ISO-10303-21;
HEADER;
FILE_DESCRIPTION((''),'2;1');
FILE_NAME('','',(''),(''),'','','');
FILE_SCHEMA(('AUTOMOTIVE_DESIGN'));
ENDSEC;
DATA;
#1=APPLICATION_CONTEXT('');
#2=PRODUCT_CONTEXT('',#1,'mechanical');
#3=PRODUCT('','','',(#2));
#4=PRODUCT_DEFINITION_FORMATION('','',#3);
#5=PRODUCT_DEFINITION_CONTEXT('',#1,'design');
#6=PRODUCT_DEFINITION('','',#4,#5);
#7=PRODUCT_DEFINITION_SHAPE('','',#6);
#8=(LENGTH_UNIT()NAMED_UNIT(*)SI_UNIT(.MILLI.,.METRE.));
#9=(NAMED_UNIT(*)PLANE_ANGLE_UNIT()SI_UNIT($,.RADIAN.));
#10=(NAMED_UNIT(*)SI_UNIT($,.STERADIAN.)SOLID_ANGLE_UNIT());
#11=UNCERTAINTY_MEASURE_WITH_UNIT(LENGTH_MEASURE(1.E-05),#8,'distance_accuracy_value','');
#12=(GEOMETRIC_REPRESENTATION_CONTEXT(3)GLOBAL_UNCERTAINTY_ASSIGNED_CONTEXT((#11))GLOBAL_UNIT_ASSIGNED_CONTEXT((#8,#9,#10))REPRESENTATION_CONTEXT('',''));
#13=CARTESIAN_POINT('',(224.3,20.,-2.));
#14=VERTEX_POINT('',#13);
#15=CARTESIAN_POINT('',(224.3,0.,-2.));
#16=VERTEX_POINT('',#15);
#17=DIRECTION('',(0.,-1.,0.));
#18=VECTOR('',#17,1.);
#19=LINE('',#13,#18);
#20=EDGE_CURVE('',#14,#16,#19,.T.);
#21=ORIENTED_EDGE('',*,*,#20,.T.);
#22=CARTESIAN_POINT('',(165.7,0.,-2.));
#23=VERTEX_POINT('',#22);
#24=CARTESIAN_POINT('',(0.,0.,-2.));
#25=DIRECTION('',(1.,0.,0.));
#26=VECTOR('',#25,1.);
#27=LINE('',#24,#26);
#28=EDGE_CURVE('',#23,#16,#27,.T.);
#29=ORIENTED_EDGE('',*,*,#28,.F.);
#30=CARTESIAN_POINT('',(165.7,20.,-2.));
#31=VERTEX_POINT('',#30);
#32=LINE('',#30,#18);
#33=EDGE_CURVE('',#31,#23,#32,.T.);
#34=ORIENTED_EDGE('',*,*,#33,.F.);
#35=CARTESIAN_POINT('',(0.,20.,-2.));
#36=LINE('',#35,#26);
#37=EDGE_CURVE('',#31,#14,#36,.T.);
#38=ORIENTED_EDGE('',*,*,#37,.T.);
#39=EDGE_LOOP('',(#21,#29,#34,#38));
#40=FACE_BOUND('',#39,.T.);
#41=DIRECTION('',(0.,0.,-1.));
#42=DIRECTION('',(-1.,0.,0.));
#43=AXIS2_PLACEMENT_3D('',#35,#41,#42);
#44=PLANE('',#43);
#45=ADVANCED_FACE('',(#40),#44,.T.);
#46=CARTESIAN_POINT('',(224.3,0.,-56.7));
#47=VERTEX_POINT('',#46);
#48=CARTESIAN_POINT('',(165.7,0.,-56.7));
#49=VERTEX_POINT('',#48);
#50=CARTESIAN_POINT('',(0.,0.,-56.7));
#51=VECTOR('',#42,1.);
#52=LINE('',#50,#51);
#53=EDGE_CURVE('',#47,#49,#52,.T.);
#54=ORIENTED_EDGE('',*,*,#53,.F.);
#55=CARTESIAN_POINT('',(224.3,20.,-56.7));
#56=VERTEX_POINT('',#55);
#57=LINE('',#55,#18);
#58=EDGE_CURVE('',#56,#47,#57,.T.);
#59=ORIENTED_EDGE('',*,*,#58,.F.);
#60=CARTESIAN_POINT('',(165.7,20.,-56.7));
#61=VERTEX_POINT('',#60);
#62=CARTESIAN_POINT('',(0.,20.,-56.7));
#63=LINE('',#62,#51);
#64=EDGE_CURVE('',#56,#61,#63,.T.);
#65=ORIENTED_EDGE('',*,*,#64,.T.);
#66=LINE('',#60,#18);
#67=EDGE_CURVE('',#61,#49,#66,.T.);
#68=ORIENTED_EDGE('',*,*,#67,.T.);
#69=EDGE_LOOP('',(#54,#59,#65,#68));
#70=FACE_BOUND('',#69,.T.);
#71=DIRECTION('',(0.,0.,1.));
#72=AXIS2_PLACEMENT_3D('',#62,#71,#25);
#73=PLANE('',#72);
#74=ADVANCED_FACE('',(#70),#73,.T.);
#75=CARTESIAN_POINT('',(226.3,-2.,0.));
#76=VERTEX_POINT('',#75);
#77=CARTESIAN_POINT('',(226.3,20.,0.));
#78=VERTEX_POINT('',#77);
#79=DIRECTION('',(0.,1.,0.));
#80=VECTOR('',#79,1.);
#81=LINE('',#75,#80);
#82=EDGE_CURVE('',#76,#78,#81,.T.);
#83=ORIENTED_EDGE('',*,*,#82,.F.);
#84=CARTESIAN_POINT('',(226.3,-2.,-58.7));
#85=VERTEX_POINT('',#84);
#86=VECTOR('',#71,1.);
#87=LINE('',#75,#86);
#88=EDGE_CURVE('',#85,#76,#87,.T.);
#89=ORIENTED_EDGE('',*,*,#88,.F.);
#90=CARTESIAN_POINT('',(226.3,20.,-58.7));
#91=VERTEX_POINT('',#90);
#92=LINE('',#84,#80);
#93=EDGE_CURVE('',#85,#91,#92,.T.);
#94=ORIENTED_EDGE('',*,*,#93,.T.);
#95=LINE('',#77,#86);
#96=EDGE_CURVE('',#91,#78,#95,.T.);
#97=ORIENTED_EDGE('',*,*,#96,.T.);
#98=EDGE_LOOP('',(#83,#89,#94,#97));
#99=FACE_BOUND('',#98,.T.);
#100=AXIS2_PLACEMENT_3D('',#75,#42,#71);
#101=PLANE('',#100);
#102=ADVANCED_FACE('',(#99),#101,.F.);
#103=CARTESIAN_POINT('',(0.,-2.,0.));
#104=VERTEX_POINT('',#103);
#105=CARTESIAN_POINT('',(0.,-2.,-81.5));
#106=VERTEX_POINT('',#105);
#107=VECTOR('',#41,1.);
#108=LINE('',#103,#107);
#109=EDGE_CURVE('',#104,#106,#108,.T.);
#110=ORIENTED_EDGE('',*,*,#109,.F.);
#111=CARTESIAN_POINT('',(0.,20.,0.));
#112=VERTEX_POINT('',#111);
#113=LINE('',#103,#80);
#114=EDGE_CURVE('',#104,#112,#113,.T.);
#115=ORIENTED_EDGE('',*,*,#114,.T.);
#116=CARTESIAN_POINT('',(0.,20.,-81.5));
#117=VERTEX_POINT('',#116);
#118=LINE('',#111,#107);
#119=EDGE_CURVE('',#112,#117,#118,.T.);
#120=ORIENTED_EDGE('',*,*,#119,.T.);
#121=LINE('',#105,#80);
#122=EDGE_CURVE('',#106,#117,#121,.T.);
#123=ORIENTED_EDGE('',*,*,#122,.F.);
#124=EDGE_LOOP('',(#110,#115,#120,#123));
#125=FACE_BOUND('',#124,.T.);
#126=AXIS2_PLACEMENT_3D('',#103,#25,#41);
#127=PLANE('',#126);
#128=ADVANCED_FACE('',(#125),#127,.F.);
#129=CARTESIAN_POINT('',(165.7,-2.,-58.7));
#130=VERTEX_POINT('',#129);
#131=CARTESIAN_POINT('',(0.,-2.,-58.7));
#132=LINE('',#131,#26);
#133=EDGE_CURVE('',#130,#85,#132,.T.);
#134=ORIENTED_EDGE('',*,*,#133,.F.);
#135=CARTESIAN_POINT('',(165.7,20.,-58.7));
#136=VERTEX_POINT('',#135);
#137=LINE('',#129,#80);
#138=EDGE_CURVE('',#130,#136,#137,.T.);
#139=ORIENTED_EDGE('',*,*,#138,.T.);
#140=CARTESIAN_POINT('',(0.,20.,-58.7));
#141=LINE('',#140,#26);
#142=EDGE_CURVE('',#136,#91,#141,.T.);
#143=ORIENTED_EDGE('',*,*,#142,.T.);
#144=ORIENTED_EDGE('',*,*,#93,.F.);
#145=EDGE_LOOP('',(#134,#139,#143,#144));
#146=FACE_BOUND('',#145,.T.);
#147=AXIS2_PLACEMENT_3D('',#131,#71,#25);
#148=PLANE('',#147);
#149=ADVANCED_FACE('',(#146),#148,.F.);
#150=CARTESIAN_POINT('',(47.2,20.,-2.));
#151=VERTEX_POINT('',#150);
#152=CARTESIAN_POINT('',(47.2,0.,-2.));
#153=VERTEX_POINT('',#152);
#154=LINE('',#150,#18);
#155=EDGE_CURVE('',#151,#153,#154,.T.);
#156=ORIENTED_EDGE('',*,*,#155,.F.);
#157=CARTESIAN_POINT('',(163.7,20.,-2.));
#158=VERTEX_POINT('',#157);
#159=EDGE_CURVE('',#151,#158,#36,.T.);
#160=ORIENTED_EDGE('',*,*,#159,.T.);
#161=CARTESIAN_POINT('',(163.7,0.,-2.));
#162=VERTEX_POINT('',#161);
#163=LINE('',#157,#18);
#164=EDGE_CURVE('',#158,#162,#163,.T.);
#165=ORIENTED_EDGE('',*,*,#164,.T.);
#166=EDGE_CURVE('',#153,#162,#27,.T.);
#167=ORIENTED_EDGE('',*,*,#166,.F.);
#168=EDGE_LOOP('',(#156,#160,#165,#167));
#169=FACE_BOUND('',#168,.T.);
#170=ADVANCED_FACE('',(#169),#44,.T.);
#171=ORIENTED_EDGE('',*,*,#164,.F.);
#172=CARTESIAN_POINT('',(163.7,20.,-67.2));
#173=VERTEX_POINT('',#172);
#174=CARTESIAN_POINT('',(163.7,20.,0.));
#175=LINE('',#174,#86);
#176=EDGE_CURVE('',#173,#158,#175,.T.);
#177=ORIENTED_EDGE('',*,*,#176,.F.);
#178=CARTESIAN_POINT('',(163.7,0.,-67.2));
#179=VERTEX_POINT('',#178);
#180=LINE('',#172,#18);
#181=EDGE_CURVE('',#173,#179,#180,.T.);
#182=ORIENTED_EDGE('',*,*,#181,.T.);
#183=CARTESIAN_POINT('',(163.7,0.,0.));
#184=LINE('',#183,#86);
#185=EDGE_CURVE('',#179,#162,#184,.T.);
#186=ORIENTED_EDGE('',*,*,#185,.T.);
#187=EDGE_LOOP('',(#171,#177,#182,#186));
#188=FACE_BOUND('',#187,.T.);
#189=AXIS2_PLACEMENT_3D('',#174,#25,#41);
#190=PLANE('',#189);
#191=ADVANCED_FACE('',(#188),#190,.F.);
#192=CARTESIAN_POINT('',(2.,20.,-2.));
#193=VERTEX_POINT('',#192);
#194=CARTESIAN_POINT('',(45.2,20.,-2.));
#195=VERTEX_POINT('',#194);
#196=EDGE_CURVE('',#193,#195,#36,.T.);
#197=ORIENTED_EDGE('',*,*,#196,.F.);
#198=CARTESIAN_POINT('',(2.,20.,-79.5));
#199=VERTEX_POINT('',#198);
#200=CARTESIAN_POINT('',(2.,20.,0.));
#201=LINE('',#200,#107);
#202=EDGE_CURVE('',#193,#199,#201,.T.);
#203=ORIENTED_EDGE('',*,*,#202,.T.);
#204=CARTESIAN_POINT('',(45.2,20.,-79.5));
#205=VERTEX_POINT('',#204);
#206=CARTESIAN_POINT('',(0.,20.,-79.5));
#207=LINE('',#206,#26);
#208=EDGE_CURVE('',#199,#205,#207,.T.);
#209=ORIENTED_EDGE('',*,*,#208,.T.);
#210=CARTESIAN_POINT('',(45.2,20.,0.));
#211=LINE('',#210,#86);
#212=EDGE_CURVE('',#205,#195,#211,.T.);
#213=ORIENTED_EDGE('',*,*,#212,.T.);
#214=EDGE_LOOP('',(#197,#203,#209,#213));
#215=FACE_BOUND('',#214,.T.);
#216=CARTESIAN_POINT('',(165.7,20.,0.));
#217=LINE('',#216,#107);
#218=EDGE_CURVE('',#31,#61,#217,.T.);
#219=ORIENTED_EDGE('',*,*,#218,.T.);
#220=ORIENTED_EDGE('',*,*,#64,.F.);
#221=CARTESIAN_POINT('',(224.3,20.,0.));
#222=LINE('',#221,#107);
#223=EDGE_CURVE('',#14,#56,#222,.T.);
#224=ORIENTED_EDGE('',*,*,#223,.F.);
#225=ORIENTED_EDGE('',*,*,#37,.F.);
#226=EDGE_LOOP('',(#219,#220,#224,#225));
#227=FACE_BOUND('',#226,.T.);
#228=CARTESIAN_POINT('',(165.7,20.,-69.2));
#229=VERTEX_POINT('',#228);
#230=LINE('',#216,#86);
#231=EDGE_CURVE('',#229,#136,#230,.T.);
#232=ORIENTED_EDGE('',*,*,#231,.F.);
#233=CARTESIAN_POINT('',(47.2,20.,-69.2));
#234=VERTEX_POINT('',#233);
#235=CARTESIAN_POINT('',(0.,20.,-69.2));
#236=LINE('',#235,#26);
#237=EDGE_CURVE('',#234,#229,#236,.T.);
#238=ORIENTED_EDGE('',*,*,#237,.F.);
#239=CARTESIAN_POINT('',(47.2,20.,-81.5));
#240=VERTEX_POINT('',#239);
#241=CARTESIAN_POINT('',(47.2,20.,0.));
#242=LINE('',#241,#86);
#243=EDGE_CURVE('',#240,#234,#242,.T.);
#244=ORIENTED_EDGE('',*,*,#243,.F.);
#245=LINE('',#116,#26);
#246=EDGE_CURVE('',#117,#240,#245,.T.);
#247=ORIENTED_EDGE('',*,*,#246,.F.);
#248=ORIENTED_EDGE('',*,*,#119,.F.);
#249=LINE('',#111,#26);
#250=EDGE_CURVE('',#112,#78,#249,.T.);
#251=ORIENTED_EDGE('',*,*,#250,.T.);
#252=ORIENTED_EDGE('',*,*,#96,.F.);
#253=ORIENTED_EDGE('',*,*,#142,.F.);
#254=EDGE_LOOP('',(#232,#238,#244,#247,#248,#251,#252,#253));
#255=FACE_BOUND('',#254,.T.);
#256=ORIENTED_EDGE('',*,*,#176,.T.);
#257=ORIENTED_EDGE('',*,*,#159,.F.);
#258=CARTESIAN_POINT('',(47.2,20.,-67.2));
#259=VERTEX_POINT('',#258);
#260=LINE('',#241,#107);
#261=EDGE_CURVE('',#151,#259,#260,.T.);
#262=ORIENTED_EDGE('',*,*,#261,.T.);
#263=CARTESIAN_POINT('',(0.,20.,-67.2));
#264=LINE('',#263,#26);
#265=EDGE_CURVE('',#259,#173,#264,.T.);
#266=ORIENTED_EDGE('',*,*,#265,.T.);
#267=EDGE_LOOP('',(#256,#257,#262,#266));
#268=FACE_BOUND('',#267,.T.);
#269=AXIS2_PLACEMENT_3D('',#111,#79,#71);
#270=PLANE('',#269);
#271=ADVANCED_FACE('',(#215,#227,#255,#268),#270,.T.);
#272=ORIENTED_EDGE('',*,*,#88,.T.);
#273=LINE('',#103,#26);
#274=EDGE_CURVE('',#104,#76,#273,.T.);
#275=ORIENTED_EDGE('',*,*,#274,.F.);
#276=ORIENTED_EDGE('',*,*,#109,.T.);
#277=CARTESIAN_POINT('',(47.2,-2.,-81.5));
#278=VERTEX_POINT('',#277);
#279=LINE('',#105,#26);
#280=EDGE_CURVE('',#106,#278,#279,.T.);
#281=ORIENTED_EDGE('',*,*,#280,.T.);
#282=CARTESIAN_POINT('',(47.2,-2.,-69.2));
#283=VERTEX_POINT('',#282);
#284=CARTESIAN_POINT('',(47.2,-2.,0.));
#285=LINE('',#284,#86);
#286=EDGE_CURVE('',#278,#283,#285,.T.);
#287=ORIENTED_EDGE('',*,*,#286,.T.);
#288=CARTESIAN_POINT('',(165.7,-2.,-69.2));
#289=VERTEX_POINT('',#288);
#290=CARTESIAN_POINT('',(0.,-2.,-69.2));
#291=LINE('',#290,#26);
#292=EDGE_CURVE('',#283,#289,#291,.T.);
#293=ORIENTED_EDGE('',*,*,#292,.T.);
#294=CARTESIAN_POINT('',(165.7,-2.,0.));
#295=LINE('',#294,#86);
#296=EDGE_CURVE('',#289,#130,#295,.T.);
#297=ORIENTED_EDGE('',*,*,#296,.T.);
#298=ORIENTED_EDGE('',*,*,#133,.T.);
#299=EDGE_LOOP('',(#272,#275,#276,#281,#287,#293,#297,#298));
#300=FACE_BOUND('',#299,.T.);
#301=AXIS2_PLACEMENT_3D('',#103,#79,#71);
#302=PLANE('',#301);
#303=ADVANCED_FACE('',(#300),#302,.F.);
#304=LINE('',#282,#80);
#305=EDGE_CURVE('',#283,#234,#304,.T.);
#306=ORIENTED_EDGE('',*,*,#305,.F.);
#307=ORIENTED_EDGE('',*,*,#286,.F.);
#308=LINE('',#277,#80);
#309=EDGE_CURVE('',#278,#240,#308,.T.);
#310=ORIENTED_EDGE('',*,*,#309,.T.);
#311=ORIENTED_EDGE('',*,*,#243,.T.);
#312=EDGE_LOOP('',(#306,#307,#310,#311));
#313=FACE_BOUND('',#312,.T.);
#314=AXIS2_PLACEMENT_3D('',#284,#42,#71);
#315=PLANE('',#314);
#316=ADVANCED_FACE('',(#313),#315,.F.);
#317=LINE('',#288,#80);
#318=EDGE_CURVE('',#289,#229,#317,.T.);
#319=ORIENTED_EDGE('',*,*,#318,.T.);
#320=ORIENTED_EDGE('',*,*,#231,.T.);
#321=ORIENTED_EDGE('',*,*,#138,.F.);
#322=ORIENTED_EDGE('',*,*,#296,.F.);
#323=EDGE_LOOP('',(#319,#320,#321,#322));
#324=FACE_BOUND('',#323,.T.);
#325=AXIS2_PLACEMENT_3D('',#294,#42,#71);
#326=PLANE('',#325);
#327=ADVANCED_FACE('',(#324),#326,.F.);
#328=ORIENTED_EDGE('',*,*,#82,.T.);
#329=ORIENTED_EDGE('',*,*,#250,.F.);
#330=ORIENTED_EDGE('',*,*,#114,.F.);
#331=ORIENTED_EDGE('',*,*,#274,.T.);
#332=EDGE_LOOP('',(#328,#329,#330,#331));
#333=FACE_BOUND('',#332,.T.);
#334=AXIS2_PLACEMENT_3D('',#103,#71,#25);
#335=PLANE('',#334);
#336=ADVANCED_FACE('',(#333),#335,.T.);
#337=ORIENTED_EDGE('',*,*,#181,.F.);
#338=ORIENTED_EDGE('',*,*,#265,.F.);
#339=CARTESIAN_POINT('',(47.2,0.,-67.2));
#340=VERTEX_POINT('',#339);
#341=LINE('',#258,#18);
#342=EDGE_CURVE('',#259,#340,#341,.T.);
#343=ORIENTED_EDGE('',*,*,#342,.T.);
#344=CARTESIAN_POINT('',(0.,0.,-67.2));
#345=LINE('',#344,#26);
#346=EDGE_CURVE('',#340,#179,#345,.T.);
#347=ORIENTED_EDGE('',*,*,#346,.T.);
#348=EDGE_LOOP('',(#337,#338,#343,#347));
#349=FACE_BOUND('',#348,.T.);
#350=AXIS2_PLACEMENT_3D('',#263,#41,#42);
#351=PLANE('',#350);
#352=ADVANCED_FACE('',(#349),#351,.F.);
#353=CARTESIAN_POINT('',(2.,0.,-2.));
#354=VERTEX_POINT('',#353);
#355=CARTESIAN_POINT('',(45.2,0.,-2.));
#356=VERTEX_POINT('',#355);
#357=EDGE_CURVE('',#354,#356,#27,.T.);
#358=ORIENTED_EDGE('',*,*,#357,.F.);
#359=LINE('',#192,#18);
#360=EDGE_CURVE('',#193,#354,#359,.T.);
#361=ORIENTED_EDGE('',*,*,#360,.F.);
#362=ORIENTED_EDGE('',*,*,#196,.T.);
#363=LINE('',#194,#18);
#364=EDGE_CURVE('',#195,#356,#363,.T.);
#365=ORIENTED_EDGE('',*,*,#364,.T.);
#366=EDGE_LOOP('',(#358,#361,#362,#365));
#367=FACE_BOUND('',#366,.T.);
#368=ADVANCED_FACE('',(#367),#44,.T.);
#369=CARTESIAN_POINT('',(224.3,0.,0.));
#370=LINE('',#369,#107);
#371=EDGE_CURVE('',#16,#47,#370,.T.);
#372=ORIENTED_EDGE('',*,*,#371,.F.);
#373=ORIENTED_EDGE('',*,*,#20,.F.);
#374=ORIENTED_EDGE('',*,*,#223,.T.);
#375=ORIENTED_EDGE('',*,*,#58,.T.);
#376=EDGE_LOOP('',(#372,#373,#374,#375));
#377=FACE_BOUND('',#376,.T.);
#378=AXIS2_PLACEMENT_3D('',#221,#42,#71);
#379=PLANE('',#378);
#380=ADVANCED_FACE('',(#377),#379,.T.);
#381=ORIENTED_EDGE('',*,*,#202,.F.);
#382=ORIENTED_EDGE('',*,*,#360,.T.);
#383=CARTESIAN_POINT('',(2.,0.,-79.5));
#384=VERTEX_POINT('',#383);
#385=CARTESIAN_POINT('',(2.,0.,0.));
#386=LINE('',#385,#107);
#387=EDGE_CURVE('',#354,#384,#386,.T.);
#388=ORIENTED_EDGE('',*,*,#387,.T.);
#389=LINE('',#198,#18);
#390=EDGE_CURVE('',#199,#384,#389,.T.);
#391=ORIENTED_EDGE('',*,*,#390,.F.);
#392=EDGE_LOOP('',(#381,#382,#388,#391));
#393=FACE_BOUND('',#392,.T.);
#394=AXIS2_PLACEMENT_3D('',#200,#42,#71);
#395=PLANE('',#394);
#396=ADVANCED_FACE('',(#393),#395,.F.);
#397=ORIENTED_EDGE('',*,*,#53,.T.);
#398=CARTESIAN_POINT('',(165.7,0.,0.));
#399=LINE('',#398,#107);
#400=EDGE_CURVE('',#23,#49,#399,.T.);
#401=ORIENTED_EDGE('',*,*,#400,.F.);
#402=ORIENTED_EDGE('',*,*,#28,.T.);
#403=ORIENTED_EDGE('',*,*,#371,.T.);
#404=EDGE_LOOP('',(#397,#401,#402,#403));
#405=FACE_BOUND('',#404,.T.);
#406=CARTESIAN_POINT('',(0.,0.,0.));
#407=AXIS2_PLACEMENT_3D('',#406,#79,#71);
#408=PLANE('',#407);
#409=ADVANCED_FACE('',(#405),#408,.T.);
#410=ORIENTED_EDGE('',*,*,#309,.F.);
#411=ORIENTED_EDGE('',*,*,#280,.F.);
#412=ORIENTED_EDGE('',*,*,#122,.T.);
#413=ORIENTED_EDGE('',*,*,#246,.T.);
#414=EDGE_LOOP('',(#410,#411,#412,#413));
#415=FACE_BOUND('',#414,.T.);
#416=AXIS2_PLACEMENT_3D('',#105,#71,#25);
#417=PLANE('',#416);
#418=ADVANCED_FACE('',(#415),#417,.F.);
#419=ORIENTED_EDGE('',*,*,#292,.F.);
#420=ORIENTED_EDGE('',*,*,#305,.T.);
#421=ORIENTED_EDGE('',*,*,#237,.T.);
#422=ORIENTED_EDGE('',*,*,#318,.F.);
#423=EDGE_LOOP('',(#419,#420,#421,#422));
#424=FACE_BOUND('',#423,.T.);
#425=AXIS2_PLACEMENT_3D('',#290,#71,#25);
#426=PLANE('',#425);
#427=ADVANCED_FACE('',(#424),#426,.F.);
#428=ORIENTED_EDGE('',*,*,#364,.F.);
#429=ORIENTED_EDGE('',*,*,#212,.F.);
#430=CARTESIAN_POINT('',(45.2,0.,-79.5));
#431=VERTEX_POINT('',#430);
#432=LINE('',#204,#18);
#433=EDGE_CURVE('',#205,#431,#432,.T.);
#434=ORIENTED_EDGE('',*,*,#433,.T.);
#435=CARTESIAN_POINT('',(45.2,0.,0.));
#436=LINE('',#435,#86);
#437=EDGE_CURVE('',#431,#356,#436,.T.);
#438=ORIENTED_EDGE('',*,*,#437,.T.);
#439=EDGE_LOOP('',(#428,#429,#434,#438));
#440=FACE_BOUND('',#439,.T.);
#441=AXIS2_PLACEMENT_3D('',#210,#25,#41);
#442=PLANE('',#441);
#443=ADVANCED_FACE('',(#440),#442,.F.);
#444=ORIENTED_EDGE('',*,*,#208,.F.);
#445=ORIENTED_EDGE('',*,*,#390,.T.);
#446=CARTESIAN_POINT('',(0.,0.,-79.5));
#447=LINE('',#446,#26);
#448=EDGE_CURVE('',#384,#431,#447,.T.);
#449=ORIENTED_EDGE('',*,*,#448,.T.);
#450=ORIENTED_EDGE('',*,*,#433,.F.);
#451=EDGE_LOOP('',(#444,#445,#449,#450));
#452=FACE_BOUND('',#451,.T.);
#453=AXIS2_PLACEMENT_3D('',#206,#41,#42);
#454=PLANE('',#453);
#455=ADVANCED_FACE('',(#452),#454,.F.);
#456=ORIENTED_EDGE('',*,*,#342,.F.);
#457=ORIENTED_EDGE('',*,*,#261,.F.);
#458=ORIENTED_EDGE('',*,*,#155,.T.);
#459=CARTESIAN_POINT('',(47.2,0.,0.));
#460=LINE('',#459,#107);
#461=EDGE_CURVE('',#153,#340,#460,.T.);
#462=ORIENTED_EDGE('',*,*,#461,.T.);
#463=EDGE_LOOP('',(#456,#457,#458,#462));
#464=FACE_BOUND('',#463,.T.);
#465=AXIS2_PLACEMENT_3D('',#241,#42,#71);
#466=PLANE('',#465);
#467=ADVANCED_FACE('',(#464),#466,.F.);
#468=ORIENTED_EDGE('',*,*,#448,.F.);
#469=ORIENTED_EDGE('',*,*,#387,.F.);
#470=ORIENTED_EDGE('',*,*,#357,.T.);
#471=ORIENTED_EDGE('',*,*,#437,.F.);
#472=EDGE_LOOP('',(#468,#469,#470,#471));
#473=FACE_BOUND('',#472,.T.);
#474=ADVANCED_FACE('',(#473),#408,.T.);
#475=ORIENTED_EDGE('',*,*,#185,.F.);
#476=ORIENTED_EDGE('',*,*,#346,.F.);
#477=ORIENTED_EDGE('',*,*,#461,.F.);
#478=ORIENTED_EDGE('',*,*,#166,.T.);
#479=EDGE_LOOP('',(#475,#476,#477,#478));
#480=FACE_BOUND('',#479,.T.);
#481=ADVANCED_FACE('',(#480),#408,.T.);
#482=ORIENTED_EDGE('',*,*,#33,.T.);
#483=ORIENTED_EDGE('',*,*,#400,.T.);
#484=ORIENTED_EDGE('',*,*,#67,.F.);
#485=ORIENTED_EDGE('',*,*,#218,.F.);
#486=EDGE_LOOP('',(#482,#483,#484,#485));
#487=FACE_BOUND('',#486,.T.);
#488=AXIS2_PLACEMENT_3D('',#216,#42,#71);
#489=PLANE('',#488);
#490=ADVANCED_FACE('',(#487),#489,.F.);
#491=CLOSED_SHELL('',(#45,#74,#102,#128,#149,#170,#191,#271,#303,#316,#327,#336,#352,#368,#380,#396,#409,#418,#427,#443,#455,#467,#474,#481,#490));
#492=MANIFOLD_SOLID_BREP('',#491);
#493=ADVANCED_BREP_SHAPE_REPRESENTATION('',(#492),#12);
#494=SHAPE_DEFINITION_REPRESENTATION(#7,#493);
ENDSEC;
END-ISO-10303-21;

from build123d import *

# Parameters (mm, degrees)
BOSS_EXTRUDE1_DEPTH = 2
SKETCH1_4_W         = 58.6
SKETCH1_4_H         = 54.7
BOSS_EXTRUDE2_DEPTH = 20


with BuildPart() as part:
    # Sketch1 → Boss-Extrude1 (new body)
    with BuildSketch(Plane(origin=(0, 0, 0), x_dir=(1, 0, 0), z_dir=(0, 1, 0))):
        Polygon((0, 0), (224.3, 0), (226.3, 0), (226.3, 58.7), (165.7, 58.7), (165.7, 69.2), (47.2, 69.2), (47.2, 81.5), (0, 81.5), align=None)
    extrude(amount=-BOSS_EXTRUDE1_DEPTH)

    # Sketch1<4> → Boss-Extrude2 (add)
    with BuildSketch(Plane(origin=(0, 0, 0), x_dir=(1, 0, 0), z_dir=(0, 1, 0))):
        Polygon((0, 2), (0, 0), (2, 0), (44.2, 0), (46.2, 0), (162.7, 0), (164.7, 0), (224.3, 0), (226.3, 0), (226.3, 58.7), (165.7, 58.7), (165.7, 69.2), (47.2, 69.2), (47.2, 81.5), (2, 81.5), (0, 81.5), (0, 79.5), align=None)
        Polygon((163.7, 2), (47.2, 2), (47.2, 67.2), (163.7, 67.2), (163.7, 55.7), (163.7, 53.7), align=None, mode=Mode.SUBTRACT)
        with Locations((195, 29.35)):
            Rectangle(SKETCH1_4_W, SKETCH1_4_H, mode=Mode.SUBTRACT)
        Polygon((2, 2), (2, 79.5), (45.2, 79.5), (45.2, 68.2), (45.2, 66.2), (45.2, 2), align=None, mode=Mode.SUBTRACT)
    extrude(amount=BOSS_EXTRUDE2_DEPTH)


solid = part.part
